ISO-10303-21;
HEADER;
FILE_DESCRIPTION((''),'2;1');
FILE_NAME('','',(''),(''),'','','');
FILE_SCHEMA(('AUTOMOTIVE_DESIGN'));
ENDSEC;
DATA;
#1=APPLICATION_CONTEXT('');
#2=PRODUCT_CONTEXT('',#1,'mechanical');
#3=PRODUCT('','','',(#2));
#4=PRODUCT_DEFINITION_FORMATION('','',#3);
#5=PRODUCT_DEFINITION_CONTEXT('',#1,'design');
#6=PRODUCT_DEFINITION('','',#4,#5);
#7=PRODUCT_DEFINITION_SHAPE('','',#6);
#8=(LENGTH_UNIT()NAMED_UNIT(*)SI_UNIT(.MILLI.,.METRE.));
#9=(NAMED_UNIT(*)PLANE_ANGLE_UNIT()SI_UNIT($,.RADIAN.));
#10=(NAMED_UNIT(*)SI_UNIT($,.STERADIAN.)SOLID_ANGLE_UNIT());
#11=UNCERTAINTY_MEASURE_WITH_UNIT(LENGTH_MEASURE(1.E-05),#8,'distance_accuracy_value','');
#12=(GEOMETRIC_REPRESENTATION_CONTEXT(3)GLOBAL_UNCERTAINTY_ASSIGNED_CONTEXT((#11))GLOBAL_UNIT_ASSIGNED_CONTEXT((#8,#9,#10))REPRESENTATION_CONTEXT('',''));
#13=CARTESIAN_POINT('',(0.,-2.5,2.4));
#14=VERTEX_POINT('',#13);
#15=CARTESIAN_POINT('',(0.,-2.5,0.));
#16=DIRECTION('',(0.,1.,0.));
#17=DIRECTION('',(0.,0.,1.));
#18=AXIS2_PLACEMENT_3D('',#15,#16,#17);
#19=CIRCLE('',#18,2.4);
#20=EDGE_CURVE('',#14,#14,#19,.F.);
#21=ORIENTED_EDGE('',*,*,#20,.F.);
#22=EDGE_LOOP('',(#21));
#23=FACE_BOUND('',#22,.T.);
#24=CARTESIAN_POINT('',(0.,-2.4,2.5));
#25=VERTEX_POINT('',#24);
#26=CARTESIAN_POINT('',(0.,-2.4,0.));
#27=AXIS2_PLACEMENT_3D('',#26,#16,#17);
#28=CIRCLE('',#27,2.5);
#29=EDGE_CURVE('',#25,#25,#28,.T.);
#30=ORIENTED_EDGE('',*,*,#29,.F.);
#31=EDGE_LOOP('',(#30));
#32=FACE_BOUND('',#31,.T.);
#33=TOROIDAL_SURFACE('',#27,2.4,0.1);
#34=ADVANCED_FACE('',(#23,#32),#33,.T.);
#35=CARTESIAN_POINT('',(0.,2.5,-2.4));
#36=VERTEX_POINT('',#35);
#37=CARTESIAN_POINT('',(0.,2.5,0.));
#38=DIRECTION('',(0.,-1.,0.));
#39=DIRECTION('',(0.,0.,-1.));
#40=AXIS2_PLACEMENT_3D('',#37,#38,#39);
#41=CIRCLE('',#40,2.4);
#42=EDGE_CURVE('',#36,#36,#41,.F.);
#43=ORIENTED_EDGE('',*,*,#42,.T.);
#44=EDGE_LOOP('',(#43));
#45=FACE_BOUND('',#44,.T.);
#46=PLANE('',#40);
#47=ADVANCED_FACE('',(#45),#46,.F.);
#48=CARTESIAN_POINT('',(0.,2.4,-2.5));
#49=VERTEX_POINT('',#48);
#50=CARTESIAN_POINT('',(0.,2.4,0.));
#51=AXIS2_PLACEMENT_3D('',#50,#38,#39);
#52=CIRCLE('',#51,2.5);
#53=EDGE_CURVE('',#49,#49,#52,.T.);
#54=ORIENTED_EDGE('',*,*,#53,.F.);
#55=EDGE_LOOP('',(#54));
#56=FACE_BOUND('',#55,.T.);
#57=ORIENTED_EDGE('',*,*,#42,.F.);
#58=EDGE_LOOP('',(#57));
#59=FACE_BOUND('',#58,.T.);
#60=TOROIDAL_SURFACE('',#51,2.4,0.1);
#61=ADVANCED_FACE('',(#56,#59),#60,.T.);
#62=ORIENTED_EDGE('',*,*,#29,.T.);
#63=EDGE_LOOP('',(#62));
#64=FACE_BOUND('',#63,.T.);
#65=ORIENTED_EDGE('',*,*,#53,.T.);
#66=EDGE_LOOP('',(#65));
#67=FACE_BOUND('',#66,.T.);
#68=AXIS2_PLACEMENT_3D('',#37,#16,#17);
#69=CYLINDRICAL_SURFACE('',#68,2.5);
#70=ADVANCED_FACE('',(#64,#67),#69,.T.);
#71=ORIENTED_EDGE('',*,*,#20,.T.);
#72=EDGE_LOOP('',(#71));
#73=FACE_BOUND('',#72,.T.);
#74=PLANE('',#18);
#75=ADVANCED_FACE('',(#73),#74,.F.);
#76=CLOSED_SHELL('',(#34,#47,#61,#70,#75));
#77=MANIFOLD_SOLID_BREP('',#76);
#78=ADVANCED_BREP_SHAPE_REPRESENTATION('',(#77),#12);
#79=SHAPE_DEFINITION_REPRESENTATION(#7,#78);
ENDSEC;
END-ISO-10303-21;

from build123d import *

# Parameters (mm, degrees)
SKETCH_1_W = 2.5
SKETCH_1_H = 5
FILLET_1_R = 0.1


with BuildPart() as part:
    # 草图1 → 旋转2 (revolve)
    with BuildSketch(Plane.XY):
        with Locations((1.25, 0)):
            Rectangle(SKETCH_1_W, SKETCH_1_H)
    revolve(axis=Axis((0, 2.5, 0), (0, -1, 0)))

    # 圆角1
    fillet_1_edges = [part.edges().sort_by_distance(p)[0] for p in [
        (-2.5, -2.5, 0),
        (-2.5, 2.5, 0),
    ]]
    fillet(fillet_1_edges, radius=FILLET_1_R)


solid = part.part
